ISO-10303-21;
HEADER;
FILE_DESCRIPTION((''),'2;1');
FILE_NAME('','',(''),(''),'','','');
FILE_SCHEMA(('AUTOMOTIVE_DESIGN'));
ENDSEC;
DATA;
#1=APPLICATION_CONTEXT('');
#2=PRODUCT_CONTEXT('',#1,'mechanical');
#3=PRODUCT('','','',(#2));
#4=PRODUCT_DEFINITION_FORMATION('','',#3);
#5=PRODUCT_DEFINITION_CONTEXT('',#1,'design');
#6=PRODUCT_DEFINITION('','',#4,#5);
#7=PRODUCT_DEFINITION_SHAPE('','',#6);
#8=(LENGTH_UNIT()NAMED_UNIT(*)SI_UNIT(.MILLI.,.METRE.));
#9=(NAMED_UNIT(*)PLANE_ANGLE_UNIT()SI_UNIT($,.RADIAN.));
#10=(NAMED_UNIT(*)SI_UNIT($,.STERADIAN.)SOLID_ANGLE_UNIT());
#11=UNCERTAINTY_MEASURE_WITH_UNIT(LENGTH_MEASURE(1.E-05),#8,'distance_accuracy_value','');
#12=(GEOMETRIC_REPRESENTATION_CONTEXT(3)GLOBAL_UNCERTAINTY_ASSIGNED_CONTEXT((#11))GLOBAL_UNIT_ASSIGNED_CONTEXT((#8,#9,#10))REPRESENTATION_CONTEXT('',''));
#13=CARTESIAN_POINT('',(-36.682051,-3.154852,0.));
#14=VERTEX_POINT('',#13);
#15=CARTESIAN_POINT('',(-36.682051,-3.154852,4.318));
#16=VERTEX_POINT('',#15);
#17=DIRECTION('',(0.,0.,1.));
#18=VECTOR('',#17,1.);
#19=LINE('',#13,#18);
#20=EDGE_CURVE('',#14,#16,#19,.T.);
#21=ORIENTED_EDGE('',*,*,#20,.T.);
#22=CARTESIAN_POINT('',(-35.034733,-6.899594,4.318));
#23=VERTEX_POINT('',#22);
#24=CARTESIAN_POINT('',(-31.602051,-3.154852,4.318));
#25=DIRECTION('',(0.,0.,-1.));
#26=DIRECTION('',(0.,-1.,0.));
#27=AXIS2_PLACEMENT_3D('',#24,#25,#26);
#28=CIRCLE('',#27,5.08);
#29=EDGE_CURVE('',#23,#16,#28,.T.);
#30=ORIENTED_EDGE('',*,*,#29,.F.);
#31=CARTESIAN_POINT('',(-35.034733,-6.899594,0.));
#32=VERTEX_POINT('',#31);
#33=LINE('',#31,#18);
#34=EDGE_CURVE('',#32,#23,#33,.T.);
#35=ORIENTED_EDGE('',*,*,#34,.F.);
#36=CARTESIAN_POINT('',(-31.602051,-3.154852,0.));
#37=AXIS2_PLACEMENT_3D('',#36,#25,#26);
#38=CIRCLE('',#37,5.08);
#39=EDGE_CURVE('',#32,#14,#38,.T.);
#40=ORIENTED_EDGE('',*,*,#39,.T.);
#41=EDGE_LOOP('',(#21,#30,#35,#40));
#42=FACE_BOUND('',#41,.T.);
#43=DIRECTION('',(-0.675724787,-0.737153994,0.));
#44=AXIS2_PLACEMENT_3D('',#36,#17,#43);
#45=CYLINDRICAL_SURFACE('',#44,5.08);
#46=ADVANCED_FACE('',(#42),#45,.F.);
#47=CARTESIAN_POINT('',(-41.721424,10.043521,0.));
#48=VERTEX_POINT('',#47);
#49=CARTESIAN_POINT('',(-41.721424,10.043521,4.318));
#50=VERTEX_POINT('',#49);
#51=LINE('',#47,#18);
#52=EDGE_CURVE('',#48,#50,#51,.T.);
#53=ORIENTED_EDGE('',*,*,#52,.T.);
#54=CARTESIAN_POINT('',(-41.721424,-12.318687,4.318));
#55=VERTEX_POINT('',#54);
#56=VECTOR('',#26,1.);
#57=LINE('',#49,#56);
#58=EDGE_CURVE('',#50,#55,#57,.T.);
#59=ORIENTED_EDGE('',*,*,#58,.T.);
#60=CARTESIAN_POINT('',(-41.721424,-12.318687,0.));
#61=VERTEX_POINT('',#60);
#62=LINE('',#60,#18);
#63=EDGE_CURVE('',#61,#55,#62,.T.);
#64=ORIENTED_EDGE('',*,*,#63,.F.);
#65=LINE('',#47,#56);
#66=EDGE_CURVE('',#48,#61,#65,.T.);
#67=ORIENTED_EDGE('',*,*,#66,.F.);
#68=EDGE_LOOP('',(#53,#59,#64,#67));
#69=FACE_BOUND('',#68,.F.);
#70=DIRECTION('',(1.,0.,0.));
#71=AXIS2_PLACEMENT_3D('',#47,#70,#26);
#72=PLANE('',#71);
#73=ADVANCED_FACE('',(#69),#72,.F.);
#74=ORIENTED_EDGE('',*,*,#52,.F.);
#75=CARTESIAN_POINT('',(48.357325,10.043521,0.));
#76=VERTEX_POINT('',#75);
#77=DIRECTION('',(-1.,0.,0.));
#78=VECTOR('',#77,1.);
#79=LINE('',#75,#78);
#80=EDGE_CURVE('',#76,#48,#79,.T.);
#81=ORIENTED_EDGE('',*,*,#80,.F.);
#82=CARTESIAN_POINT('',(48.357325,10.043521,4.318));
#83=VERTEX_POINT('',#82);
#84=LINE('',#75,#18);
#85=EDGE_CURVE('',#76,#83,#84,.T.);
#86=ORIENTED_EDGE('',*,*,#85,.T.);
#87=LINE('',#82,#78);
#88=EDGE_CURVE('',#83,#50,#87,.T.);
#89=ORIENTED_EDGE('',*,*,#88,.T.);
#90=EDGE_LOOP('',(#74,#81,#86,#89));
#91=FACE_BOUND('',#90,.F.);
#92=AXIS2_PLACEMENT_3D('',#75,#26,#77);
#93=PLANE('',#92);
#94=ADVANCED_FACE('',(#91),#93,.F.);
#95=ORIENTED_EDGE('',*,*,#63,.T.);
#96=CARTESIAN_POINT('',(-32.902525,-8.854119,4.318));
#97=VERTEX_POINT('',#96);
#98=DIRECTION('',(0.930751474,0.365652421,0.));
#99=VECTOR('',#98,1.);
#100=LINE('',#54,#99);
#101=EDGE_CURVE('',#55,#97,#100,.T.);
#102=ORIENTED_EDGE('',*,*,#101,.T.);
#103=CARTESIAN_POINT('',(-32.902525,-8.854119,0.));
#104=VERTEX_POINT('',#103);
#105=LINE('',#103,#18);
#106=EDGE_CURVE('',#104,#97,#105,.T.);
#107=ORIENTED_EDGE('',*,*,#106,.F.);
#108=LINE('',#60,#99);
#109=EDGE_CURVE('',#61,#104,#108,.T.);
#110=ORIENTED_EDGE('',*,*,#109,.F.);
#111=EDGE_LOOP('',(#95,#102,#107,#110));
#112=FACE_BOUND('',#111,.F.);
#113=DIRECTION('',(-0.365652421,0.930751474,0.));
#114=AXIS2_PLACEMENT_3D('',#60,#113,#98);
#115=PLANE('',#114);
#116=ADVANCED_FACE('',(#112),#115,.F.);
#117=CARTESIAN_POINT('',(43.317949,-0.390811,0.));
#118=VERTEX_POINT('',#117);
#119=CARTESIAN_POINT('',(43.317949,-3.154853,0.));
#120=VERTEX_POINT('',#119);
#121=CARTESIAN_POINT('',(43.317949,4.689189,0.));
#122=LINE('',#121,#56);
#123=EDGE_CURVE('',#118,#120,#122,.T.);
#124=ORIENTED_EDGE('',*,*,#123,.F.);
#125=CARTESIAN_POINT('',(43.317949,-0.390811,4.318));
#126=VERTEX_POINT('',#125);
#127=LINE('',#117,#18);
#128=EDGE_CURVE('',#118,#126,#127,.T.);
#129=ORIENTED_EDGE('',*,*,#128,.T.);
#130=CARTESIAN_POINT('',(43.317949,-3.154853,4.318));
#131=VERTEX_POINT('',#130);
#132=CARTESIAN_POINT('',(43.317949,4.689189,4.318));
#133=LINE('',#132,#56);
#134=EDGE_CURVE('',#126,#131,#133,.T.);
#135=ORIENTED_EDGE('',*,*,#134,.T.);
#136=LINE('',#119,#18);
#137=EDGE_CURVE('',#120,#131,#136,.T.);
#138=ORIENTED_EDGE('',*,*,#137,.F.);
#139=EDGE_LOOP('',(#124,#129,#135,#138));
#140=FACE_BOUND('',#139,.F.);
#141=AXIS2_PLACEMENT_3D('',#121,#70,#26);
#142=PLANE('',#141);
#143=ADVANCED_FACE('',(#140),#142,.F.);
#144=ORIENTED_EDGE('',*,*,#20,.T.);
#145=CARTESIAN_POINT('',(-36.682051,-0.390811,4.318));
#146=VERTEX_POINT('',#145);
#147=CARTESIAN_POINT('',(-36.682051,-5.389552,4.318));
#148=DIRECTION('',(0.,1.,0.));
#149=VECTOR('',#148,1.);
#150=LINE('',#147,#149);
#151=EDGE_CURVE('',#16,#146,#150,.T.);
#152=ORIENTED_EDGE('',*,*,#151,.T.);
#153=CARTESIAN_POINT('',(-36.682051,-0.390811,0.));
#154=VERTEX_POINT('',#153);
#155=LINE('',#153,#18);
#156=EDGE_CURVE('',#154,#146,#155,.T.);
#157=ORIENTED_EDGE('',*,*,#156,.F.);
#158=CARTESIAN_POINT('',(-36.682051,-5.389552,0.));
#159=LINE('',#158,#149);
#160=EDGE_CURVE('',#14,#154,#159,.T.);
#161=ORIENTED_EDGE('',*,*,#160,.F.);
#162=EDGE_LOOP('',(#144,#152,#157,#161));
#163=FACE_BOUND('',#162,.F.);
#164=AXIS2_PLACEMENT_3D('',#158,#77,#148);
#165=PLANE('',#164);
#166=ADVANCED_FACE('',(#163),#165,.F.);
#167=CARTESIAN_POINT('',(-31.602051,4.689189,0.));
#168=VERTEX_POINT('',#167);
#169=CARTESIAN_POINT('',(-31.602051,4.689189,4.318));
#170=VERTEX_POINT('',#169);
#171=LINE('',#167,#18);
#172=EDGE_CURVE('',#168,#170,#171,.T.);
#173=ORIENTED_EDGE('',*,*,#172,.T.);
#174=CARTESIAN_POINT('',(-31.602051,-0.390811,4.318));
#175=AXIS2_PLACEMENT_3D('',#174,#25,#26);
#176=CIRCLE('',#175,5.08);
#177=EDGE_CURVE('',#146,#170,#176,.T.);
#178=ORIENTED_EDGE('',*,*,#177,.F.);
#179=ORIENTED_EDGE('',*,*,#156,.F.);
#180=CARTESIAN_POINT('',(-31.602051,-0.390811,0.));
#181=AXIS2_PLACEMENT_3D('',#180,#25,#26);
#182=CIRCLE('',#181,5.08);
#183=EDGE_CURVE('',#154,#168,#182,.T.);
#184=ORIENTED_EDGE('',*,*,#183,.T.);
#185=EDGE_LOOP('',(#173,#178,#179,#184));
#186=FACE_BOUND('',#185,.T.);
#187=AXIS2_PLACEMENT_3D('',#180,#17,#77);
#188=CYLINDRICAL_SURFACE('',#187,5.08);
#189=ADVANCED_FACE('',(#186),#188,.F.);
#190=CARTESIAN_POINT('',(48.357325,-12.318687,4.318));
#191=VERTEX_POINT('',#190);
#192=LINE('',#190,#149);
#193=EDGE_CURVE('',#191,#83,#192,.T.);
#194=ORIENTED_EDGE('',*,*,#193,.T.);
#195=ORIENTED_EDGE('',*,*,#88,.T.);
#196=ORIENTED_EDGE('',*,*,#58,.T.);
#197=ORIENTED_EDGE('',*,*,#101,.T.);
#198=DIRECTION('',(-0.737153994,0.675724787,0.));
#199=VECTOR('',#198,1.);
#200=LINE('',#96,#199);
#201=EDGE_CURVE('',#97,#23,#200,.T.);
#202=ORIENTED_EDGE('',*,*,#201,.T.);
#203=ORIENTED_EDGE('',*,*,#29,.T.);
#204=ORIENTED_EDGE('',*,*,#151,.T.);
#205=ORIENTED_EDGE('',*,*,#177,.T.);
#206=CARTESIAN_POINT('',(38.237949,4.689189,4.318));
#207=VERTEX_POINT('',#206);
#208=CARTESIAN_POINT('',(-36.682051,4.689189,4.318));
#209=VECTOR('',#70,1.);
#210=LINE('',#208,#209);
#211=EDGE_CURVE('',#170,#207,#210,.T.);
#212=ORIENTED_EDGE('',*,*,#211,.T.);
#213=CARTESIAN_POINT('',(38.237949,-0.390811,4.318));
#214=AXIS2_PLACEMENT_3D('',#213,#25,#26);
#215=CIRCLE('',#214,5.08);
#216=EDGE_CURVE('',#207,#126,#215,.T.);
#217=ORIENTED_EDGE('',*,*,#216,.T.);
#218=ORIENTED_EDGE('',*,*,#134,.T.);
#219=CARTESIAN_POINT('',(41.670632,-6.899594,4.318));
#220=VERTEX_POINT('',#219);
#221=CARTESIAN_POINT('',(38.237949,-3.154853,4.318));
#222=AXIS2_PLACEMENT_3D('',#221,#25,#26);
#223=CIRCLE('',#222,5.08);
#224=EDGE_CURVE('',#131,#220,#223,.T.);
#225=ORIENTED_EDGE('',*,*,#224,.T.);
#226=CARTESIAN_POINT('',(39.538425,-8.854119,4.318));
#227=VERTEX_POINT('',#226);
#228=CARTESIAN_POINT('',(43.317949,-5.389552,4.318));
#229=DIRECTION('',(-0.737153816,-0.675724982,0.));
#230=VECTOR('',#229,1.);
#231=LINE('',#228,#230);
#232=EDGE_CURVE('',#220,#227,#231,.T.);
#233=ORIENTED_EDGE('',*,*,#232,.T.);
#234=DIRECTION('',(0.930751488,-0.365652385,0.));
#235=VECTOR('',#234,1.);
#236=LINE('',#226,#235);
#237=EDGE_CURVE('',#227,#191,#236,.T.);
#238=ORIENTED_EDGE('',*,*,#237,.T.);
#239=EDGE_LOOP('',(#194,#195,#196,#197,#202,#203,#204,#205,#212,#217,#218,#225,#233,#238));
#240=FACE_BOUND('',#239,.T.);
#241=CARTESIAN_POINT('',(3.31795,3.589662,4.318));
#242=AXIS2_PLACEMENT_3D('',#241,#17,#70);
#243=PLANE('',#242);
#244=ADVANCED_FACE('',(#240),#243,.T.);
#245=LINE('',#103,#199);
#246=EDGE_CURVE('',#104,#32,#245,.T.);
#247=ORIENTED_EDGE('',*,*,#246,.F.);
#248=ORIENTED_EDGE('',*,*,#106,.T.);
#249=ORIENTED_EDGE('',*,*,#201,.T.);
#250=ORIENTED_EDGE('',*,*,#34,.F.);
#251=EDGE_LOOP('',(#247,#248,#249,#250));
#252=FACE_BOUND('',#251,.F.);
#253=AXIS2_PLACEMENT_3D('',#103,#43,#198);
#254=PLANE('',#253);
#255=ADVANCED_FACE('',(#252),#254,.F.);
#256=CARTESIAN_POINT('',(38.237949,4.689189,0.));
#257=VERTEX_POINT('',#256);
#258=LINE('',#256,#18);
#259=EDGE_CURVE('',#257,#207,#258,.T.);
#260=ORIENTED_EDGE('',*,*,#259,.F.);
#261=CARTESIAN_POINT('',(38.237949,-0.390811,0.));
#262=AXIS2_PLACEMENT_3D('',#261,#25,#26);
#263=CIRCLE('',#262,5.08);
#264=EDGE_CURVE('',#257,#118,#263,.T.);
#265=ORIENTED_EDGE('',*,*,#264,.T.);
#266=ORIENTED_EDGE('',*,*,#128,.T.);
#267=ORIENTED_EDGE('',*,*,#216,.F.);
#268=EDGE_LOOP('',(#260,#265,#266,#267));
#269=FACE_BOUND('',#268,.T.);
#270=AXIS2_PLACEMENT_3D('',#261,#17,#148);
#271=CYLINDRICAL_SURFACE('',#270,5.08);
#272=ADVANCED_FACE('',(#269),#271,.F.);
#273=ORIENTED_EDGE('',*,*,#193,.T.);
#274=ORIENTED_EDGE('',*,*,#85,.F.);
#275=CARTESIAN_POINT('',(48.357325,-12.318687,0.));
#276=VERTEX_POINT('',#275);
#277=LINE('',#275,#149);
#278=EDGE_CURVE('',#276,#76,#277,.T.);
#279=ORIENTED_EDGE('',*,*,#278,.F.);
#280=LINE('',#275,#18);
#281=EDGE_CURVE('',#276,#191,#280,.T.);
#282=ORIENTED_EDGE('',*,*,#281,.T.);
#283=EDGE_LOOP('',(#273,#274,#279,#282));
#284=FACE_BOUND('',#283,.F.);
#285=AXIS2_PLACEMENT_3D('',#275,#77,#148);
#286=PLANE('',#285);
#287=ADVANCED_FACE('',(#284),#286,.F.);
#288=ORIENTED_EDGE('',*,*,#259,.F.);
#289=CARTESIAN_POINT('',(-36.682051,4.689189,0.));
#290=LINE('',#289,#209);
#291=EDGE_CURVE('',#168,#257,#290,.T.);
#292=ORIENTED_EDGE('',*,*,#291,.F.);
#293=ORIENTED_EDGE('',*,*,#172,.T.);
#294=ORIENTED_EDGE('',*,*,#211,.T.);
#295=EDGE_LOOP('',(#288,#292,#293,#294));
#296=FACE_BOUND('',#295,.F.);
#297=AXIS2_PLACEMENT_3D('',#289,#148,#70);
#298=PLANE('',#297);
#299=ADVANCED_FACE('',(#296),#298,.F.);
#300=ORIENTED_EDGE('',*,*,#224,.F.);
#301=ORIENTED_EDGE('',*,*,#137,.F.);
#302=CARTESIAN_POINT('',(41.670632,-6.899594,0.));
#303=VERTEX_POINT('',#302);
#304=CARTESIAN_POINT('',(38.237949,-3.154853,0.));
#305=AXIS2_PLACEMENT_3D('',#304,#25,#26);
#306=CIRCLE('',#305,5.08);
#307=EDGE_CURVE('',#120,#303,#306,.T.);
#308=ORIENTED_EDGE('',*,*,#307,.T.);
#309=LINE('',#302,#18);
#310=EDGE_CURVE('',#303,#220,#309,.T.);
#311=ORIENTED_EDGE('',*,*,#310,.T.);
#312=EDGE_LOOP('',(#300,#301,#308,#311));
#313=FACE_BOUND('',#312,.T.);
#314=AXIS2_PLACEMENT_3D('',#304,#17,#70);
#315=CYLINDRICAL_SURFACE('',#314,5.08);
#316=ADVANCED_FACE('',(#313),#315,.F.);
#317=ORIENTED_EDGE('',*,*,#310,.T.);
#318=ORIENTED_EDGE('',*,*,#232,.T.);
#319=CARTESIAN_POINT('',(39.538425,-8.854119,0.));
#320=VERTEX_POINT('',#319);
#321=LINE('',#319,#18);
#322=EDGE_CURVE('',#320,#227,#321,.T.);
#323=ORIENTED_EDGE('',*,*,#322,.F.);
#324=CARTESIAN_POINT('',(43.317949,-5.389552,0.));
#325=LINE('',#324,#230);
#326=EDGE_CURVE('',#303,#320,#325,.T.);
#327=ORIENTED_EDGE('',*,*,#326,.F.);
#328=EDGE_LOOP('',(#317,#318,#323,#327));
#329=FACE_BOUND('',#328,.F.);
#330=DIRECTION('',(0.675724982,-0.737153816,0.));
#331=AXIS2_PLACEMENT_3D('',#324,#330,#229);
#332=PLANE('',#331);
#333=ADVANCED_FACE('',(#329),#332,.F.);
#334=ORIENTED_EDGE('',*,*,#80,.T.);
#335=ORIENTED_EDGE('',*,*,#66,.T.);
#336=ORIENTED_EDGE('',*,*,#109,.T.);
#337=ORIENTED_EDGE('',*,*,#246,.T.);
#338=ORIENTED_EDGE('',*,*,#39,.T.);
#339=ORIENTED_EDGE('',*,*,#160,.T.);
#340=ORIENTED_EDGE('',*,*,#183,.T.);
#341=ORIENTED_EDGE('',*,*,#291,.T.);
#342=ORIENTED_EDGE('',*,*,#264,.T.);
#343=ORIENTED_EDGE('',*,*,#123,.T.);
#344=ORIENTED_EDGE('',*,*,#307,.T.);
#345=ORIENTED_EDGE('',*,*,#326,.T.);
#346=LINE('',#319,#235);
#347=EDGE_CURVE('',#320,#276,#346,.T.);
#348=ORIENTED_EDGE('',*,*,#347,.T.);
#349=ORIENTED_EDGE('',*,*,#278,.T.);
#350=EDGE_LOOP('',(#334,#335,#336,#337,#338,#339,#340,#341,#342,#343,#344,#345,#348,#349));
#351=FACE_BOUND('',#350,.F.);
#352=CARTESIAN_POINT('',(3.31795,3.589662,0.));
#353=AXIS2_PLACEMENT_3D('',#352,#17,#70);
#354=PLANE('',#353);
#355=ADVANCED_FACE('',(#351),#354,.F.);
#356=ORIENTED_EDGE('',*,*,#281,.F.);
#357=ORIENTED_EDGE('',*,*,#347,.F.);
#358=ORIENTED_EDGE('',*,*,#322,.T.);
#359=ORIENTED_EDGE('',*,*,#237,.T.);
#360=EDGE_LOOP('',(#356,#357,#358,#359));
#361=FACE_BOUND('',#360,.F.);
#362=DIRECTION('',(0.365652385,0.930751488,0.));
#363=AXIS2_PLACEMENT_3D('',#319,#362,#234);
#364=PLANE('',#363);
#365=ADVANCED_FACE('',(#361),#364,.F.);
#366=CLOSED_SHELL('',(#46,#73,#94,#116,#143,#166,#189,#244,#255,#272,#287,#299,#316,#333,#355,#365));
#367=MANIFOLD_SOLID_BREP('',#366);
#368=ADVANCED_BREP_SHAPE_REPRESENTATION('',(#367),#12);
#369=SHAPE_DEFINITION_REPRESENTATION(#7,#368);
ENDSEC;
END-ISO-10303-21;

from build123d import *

# Parameters (mm, degrees)
F1_DEPTH = 4.318
F2_R     = 5.08


with BuildPart() as f1:
    # F0 (on Top) → F1 (new body)
    with BuildSketch(Plane.XY):
        Polygon((-32.902525, -8.854119), (-36.682051, -5.389552), (-36.682051, 4.689189), (43.317949, 4.689189), (43.317949, -5.389552), (39.538425, -8.854119), (48.357325, -12.318687), (48.357325, 10.043521), (-41.721424, 10.043521), (-41.721424, -12.318687), align=None)
    extrude(amount=F1_DEPTH)

    # F2
    f2_edges = [f1.edges().sort_by_distance(p)[0] for p in [
        (-36.682051, 4.689189, 2.159),
        (43.317949, 4.689189, 2.159),
        (-36.682051, -5.389552, 2.159),
        (43.317949, -5.389552, 2.159),
    ]]
    fillet(f2_edges, radius=F2_R)


solid = f1.part
